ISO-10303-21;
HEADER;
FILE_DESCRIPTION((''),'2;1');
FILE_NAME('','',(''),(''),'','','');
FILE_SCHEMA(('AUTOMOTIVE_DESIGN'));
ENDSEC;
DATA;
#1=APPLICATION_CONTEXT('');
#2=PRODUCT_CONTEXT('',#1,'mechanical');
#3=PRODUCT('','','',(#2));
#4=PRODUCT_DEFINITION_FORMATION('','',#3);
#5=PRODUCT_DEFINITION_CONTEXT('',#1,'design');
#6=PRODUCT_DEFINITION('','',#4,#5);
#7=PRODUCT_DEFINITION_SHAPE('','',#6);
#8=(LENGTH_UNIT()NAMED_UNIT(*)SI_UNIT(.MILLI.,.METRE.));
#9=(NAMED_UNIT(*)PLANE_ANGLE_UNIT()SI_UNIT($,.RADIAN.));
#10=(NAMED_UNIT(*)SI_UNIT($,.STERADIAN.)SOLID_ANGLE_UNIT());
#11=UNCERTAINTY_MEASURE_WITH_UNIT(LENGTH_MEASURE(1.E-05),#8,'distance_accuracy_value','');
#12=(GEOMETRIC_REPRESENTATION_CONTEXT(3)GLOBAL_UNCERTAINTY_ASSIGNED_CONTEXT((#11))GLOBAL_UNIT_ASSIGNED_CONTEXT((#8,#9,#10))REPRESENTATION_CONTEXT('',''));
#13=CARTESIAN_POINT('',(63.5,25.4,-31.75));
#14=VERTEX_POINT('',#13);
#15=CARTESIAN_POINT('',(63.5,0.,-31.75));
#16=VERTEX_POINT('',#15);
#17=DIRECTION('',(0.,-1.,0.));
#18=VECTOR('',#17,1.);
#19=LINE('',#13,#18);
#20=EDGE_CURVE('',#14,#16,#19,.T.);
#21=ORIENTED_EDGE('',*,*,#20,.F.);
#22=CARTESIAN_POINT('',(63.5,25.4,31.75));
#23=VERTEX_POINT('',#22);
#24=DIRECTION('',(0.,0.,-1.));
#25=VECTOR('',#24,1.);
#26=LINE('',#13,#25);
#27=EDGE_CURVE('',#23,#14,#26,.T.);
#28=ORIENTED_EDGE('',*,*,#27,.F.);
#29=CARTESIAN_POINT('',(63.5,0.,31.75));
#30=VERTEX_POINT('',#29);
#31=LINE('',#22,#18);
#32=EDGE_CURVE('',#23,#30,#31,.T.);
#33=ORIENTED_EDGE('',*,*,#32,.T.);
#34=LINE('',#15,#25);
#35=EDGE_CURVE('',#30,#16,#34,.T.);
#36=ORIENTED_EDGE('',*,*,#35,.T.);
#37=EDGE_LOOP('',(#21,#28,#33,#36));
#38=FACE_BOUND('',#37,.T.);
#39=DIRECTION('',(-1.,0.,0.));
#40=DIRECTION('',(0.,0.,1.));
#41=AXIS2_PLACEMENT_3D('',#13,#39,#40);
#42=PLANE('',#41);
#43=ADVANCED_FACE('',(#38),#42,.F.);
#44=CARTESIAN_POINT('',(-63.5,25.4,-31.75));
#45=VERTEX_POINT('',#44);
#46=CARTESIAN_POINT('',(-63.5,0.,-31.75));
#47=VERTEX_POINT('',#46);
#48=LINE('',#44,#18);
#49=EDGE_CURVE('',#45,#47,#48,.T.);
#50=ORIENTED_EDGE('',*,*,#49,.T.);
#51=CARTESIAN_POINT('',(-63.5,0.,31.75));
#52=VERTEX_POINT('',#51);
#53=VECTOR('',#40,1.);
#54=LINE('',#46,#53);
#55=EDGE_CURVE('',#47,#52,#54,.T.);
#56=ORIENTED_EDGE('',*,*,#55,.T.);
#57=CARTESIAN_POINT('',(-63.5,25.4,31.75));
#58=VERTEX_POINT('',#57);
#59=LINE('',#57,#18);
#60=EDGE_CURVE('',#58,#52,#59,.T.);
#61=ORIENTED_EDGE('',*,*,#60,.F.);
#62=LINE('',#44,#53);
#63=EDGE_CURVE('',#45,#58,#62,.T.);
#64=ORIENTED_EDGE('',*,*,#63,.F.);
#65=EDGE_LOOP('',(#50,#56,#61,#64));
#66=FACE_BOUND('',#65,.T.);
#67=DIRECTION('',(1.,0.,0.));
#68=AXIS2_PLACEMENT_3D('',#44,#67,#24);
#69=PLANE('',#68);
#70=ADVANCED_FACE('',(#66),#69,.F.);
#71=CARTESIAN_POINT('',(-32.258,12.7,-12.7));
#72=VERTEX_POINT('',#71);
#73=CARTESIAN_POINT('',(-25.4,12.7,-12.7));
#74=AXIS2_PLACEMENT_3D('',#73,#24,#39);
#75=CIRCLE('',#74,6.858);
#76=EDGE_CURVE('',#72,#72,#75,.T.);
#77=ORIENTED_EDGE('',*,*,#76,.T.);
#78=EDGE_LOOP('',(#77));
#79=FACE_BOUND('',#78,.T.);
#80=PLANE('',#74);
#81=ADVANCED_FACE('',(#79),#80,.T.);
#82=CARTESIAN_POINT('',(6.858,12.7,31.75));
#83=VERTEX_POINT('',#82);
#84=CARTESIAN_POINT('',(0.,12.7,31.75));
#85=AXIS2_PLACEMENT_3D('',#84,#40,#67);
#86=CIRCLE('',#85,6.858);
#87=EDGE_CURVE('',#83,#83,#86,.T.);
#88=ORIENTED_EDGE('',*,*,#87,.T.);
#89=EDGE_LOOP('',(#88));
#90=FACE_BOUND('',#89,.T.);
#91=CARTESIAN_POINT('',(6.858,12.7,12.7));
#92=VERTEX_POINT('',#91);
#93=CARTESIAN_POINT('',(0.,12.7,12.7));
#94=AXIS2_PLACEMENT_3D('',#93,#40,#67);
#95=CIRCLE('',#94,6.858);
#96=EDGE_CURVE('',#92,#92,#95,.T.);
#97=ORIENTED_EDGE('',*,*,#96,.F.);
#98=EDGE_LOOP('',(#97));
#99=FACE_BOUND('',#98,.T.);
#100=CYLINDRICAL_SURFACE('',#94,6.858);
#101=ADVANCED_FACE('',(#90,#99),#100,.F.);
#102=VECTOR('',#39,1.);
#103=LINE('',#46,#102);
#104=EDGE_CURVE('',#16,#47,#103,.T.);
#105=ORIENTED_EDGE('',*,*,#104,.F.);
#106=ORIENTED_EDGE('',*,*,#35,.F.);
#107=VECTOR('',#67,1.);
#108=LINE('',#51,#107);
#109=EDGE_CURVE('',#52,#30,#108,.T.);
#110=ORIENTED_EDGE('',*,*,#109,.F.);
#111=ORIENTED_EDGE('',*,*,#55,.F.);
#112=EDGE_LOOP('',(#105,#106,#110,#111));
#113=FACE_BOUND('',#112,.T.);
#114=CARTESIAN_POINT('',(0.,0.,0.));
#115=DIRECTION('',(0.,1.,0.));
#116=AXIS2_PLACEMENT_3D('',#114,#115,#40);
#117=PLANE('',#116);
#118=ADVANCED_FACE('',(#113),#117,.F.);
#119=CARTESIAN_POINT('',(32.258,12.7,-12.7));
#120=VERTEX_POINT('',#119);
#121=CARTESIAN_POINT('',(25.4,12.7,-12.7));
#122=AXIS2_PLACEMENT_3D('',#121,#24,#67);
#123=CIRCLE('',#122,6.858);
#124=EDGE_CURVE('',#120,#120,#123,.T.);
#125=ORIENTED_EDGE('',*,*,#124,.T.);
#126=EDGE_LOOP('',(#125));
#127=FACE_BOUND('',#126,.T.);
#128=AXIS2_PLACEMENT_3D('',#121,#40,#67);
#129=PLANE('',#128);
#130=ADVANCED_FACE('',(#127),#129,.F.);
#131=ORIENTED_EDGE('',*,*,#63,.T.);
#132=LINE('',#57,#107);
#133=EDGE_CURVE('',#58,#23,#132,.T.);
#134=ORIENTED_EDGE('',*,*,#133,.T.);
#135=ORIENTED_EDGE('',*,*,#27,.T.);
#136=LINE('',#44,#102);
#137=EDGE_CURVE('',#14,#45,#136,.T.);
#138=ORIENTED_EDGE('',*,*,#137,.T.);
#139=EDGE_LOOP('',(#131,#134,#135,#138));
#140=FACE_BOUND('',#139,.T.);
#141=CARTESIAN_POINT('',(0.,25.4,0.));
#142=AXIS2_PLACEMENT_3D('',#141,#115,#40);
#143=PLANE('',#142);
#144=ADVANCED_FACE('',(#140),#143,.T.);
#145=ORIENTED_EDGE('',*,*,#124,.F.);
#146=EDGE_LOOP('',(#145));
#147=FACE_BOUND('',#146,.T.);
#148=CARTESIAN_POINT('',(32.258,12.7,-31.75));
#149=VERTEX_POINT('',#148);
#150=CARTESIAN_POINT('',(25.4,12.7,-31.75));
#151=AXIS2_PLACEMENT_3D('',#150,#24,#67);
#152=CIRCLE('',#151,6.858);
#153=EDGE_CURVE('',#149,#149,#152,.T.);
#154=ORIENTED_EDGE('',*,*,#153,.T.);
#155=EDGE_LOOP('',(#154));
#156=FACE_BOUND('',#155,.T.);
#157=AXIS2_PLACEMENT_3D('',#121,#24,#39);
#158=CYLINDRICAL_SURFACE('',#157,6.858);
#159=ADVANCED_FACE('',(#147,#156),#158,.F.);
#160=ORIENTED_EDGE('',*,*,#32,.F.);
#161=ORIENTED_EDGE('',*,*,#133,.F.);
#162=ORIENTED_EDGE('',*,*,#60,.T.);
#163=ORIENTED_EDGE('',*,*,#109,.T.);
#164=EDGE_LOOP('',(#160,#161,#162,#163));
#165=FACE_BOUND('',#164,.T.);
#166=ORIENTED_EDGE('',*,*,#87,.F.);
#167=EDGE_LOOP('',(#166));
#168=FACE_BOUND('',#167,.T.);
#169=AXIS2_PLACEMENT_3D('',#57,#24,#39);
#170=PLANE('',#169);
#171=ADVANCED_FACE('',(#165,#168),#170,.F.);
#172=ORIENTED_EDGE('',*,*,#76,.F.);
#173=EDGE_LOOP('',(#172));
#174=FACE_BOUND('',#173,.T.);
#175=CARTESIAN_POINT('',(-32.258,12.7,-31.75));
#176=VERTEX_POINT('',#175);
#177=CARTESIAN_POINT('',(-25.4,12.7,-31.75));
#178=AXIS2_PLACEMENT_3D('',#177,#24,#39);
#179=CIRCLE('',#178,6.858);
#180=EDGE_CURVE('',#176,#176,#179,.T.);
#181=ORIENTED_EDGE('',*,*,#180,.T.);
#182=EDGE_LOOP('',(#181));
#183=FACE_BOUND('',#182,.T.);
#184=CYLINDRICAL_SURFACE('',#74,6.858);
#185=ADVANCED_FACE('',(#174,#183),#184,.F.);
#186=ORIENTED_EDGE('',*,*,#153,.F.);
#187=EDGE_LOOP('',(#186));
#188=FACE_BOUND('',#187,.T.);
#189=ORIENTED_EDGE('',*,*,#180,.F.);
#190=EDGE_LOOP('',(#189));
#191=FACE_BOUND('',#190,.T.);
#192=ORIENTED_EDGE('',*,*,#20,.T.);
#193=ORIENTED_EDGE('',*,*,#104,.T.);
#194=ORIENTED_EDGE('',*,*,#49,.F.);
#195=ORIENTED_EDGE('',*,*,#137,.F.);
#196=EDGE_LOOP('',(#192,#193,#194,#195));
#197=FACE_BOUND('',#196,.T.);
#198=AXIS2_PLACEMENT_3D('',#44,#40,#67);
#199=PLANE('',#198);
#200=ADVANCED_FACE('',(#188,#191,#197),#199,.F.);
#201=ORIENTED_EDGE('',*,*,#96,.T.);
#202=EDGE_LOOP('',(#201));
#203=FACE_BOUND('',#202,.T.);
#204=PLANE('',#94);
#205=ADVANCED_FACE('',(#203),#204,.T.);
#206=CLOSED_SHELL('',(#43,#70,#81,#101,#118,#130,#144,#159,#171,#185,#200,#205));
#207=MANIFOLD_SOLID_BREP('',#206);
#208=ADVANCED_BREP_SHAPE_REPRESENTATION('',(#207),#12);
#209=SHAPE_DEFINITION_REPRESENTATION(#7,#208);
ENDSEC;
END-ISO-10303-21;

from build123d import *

# Parameters (mm, degrees)
SKETCH1_W           = 127
SKETCH1_H           = 63.5
BOSS_EXTRUDE1_DEPTH = 25.4
SKETCH2_R           = 6.858
CUT_EXTRUDE1_DEPTH  = 19.05
SKETCH3_R           = 6.858
CUT_EXTRUDE2_DEPTH  = 19.05


with BuildPart() as part:
    # Sketch1 → Boss-Extrude1 (new body)
    with BuildSketch(Plane(origin=(0, 0, 0), x_dir=(1, 0, 0), z_dir=(0, 1, 0))):
        Rectangle(SKETCH1_W, SKETCH1_H)
    extrude(amount=BOSS_EXTRUDE1_DEPTH)

    # Sketch2 → Cut-Extrude1 (cut)
    with BuildSketch(Plane.XY.offset(31.75)):
        with Locations((0, 12.7)):
            Circle(SKETCH2_R)
    extrude(amount=-CUT_EXTRUDE1_DEPTH, mode=Mode.SUBTRACT)

    # Sketch3 → Cut-Extrude2 (cut)
    with BuildSketch(Plane(origin=(0, 0, -31.75), x_dir=(-1, 0, 0), z_dir=(0, 0, -1))):
        with Locations((25.4, 12.7)):
            Circle(SKETCH3_R)
        with Locations((-25.4, 12.7)):
            Circle(SKETCH3_R)
    extrude(amount=-CUT_EXTRUDE2_DEPTH, mode=Mode.SUBTRACT)


solid = part.part
